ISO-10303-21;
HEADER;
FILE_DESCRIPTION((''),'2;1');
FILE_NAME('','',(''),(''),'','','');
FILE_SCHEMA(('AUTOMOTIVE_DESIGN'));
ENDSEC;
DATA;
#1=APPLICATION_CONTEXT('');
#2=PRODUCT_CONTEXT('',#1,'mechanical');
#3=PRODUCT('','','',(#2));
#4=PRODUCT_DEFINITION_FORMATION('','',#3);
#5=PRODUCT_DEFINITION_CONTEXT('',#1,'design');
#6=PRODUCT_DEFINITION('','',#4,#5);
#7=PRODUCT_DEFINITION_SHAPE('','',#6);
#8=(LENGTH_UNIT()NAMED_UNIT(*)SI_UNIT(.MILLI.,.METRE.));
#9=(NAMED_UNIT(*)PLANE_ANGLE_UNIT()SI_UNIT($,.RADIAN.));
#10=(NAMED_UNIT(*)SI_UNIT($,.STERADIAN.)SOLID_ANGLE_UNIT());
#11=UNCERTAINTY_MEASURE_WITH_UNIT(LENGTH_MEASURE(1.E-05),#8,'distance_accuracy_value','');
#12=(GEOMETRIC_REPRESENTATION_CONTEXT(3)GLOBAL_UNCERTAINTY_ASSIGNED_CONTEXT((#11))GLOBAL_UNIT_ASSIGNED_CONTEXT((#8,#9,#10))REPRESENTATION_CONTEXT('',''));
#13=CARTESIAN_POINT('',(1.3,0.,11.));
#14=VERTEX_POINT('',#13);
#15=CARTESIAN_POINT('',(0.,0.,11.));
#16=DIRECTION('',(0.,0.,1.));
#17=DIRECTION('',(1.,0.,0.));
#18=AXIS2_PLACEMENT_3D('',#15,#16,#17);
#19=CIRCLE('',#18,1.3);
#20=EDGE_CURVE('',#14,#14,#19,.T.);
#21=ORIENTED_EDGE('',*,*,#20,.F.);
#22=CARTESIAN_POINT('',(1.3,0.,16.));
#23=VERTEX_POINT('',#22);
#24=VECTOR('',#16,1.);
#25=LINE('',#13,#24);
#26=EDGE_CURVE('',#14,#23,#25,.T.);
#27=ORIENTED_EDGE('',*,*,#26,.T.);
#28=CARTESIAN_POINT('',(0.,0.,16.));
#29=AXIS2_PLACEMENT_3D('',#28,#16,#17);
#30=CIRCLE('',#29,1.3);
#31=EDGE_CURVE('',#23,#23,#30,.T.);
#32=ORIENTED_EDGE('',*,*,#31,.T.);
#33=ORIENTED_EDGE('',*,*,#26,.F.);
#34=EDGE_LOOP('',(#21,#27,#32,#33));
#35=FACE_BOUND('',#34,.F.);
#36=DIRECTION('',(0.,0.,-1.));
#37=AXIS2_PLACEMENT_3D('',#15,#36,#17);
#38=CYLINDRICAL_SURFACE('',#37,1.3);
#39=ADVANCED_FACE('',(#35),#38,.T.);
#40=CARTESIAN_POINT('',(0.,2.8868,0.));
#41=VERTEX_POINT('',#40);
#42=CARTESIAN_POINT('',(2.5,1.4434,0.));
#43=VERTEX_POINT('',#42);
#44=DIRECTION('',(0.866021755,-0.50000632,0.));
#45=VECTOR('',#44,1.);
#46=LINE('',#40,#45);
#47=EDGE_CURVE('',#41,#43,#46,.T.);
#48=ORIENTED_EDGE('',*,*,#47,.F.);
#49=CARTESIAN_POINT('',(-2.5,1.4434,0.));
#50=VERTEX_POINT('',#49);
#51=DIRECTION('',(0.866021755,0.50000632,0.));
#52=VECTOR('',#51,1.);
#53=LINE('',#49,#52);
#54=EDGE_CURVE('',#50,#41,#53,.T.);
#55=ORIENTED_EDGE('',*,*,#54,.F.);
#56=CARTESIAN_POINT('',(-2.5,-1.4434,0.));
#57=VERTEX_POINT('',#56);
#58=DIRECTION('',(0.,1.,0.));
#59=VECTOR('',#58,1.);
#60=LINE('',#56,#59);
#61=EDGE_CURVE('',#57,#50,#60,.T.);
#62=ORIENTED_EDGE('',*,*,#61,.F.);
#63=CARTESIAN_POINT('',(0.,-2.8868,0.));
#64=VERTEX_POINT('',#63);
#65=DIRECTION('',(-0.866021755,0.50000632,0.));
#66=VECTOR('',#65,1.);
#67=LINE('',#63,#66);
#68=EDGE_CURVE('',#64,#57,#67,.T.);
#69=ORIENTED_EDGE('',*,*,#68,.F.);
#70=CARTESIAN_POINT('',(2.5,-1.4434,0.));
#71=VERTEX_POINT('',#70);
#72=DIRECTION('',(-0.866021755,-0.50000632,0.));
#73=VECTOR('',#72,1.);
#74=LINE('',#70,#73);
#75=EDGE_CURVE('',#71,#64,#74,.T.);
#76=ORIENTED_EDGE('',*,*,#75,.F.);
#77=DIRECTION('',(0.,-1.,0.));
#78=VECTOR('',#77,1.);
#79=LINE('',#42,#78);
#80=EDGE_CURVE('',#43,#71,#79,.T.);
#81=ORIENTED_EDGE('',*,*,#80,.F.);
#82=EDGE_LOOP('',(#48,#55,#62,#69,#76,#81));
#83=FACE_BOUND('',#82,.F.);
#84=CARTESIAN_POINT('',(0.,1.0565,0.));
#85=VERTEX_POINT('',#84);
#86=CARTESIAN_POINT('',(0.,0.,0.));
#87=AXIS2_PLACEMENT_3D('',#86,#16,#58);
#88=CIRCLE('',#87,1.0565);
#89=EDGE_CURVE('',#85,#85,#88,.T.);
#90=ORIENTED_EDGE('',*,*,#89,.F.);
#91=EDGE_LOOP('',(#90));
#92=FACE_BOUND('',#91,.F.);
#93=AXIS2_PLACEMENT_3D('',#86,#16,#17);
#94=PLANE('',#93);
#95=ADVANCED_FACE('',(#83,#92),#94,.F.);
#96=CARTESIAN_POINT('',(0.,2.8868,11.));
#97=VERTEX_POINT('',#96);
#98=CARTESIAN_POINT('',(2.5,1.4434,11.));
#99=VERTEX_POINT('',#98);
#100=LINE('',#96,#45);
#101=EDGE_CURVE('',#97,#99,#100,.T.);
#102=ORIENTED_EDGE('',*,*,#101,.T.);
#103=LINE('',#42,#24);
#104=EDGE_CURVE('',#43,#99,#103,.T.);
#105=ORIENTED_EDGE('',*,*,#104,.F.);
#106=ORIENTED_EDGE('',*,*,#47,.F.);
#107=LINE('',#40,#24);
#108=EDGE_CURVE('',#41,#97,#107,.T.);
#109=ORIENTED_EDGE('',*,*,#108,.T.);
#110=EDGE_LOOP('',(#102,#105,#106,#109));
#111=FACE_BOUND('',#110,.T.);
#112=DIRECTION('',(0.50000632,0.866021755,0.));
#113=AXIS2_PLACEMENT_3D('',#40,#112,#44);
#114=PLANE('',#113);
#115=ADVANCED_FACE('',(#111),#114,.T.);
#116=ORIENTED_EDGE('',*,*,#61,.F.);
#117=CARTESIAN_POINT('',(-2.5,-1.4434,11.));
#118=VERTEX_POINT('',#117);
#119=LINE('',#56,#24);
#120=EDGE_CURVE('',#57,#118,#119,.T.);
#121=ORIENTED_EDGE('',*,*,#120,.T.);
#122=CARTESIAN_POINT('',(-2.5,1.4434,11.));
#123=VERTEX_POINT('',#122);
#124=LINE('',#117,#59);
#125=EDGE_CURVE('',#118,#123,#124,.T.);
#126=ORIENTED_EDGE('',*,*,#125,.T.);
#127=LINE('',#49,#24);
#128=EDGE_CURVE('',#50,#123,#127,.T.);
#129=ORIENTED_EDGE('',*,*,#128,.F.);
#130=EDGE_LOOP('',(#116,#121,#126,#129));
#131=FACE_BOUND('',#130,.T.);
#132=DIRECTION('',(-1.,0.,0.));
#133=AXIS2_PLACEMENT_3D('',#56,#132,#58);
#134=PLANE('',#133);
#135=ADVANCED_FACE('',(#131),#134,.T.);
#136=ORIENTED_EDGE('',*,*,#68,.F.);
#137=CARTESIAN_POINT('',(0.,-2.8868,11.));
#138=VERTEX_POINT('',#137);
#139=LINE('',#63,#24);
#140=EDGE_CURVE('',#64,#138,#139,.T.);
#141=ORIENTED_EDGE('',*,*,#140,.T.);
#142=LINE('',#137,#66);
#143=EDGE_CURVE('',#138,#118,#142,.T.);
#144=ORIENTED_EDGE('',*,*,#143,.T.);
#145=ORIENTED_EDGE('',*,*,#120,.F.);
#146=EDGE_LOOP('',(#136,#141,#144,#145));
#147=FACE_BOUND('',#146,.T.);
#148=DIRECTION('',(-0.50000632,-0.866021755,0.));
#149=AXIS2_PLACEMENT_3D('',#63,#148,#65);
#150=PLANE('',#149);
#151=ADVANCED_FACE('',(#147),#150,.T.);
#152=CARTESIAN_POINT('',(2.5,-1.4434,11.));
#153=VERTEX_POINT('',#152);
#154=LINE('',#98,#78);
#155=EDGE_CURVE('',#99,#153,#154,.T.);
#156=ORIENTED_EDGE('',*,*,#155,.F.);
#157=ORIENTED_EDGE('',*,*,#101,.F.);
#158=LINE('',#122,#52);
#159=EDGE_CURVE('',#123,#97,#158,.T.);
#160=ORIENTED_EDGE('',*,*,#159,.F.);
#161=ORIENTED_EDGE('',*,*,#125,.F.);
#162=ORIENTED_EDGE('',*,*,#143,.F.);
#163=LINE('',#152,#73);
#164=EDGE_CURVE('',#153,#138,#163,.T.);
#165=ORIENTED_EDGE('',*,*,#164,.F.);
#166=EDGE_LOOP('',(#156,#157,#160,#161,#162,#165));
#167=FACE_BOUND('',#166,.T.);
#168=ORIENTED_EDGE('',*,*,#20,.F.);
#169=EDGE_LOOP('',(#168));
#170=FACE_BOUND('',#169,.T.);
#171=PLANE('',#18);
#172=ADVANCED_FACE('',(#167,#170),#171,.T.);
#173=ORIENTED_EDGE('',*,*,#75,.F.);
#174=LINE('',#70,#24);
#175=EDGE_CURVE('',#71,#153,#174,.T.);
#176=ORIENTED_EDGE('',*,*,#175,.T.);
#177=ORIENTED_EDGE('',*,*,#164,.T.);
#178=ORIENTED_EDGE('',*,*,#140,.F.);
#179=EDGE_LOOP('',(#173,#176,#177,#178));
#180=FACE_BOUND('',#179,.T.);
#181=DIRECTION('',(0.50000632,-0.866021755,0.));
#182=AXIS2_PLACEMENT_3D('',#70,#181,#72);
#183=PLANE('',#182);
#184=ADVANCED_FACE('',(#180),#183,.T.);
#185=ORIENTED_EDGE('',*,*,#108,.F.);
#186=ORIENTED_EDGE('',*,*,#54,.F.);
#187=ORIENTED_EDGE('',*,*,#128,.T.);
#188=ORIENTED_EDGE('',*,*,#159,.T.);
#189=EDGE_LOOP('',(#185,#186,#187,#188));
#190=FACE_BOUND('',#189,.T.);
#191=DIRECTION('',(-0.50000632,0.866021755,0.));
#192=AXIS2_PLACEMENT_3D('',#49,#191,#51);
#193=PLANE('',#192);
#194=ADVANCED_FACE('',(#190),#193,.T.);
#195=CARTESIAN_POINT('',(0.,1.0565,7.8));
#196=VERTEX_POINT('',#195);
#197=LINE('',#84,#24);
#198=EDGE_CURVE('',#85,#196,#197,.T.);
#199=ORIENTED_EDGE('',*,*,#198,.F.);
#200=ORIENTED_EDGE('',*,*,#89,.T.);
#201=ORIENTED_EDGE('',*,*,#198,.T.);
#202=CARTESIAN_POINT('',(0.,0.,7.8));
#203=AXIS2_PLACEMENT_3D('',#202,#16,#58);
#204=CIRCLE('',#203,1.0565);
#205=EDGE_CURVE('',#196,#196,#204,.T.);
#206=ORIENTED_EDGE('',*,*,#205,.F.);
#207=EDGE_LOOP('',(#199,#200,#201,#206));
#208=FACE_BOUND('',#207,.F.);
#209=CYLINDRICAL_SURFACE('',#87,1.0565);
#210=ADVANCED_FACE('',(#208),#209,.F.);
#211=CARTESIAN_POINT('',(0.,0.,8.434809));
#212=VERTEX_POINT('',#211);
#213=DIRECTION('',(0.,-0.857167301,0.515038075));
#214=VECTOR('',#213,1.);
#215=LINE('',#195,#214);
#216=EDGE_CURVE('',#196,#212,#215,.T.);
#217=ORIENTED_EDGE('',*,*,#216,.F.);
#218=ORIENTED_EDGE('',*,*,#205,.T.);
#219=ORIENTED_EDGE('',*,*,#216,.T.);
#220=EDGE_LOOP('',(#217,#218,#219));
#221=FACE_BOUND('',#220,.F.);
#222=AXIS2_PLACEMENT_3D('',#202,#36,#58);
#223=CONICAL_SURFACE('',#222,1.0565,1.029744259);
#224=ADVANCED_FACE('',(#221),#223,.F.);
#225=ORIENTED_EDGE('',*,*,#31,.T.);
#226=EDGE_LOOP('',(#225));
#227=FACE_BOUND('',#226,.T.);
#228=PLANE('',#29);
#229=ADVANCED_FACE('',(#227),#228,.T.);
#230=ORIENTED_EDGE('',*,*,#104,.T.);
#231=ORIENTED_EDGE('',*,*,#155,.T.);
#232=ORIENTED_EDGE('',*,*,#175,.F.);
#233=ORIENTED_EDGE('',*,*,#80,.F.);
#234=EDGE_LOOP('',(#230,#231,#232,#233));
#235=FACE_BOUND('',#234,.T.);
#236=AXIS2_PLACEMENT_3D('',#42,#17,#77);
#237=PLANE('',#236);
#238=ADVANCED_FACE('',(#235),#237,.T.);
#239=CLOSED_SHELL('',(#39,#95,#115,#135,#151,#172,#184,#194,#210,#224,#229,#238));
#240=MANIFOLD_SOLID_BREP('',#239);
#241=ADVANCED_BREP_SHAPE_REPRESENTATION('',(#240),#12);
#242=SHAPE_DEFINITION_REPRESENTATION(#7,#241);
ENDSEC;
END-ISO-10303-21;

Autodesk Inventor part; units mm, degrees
ref_plane "YZ Plane" through (0, 0, 0) normal (1, 0, 0) x (0, 1, 0)
ref_plane "XZ Plane" through (0, 0, 0) normal (0, 1, 0) x (-1, 0, 0)
ref_plane "XY Plane" through (0, 0, 0) normal (0, 0, 1) x (1, 0, 0)
sketch "スケッチ1" plane through (0, 0, 0) normal (0, 0, 1) x (1, 0, 0)
  line L0 (0, 2.8868) -> (2.5, 1.4434)
  line L1 (2.5, 1.4434) -> (2.5, -1.4434)
  line L2 (2.5, -1.4434) -> (0, -2.8868)
  line L3 (0, -2.8868) -> (-2.5, -1.4434)
  line L4 (-2.5, -1.4434) -> (-2.5, 1.4434)
  line L5 (-2.5, 1.4434) -> (0, 2.8868)
  point P0 (0, 0)
  point P1 (0, 0)
  dimension "d0" = 5
extrude "押し出し1" add sketch "スケッチ1" along normal blind 11
sketch "スケッチ2" plane through (0, 0, 11) normal (0, 0, 1) x (1, 0, 0)
  circle A0 centre (0, 0) radius 1.3
  dimension "d3" = 2.6
extrude "押し出し2" add sketch "スケッチ2" along normal blind 5
thread "ねじ1" size "M2.6x0.45" class "6g" standard "ANSI Metric M Profile" full length
sketch "スケッチ3" plane through (0, 0, 0) normal (0, 0, -1) x (-1, 0, 0)
  point P0 (0, 0)
hole "穴1" at (0, 0, 0) direction (0, 0, 1) diameter 2.113 depth 7.8 tip angle 118 thread size "M2.6x0.45" class "6H" standard "ISO Metric profile"
properties part number "ジュラコンスペーサー（六角）_BS-2611E" material "アセタール樹脂、白"
